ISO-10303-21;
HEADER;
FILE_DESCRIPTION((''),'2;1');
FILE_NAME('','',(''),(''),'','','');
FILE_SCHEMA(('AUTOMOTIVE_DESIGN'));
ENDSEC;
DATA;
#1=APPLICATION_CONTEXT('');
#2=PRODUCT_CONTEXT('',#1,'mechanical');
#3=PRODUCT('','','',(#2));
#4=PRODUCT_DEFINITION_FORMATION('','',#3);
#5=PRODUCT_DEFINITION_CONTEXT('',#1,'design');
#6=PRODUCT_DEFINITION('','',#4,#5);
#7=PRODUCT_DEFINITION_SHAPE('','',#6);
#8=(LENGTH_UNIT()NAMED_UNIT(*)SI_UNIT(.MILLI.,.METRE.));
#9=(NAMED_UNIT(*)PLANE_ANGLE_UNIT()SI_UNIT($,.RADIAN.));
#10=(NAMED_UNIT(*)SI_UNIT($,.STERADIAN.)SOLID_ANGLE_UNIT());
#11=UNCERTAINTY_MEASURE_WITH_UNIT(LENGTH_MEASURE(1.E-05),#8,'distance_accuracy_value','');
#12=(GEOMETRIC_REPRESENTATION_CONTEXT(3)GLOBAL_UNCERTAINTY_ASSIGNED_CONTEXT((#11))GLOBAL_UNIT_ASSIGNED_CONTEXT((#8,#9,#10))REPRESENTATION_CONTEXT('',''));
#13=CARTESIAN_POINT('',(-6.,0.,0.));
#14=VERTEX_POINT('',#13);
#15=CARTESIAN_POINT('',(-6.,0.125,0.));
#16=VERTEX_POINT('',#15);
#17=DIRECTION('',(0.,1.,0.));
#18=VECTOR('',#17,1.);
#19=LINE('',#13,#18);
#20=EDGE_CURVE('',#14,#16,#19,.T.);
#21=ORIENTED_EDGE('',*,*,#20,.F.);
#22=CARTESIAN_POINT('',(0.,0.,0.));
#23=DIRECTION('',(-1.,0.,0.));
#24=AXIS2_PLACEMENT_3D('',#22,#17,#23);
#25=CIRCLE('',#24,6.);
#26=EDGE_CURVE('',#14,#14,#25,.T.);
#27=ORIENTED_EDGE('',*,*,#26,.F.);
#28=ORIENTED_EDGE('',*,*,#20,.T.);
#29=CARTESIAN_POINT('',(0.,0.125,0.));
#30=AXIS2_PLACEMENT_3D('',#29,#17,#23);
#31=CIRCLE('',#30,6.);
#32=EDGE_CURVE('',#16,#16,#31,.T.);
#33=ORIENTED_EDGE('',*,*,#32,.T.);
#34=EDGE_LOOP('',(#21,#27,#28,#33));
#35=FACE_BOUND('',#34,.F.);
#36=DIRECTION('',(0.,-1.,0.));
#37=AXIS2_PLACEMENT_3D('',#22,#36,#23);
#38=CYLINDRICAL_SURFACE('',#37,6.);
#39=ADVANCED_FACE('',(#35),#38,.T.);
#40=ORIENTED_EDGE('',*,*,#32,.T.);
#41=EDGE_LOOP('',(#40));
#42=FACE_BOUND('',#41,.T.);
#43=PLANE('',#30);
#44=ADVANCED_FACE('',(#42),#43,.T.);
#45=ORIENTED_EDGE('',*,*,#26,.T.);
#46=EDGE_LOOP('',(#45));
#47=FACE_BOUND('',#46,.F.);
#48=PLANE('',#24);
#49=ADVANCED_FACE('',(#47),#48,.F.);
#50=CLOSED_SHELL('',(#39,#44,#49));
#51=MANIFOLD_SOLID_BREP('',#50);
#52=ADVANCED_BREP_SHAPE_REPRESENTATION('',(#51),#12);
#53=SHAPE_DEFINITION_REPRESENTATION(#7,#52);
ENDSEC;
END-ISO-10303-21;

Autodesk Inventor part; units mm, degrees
ref_plane "YZ Plane" through (0, 0, 0) normal (1, 0, 0) x (0, 1, 0)
ref_plane "XZ Plane" through (0, 0, 0) normal (0, 1, 0) x (-1, 0, 0)
ref_plane "XY Plane" through (0, 0, 0) normal (0, 0, 1) x (1, 0, 0)
sketch "Skizze1" plane through (0, 0, 0) normal (0, 1, 0) x (-1, 0, 0)
  circle A0 centre (0, 0) radius 6
  dimension "d0" = 12
extrude "Extrusion1" add sketch "Skizze1" along normal blind 0.125
properties part number "00_coverglass_10mm"
